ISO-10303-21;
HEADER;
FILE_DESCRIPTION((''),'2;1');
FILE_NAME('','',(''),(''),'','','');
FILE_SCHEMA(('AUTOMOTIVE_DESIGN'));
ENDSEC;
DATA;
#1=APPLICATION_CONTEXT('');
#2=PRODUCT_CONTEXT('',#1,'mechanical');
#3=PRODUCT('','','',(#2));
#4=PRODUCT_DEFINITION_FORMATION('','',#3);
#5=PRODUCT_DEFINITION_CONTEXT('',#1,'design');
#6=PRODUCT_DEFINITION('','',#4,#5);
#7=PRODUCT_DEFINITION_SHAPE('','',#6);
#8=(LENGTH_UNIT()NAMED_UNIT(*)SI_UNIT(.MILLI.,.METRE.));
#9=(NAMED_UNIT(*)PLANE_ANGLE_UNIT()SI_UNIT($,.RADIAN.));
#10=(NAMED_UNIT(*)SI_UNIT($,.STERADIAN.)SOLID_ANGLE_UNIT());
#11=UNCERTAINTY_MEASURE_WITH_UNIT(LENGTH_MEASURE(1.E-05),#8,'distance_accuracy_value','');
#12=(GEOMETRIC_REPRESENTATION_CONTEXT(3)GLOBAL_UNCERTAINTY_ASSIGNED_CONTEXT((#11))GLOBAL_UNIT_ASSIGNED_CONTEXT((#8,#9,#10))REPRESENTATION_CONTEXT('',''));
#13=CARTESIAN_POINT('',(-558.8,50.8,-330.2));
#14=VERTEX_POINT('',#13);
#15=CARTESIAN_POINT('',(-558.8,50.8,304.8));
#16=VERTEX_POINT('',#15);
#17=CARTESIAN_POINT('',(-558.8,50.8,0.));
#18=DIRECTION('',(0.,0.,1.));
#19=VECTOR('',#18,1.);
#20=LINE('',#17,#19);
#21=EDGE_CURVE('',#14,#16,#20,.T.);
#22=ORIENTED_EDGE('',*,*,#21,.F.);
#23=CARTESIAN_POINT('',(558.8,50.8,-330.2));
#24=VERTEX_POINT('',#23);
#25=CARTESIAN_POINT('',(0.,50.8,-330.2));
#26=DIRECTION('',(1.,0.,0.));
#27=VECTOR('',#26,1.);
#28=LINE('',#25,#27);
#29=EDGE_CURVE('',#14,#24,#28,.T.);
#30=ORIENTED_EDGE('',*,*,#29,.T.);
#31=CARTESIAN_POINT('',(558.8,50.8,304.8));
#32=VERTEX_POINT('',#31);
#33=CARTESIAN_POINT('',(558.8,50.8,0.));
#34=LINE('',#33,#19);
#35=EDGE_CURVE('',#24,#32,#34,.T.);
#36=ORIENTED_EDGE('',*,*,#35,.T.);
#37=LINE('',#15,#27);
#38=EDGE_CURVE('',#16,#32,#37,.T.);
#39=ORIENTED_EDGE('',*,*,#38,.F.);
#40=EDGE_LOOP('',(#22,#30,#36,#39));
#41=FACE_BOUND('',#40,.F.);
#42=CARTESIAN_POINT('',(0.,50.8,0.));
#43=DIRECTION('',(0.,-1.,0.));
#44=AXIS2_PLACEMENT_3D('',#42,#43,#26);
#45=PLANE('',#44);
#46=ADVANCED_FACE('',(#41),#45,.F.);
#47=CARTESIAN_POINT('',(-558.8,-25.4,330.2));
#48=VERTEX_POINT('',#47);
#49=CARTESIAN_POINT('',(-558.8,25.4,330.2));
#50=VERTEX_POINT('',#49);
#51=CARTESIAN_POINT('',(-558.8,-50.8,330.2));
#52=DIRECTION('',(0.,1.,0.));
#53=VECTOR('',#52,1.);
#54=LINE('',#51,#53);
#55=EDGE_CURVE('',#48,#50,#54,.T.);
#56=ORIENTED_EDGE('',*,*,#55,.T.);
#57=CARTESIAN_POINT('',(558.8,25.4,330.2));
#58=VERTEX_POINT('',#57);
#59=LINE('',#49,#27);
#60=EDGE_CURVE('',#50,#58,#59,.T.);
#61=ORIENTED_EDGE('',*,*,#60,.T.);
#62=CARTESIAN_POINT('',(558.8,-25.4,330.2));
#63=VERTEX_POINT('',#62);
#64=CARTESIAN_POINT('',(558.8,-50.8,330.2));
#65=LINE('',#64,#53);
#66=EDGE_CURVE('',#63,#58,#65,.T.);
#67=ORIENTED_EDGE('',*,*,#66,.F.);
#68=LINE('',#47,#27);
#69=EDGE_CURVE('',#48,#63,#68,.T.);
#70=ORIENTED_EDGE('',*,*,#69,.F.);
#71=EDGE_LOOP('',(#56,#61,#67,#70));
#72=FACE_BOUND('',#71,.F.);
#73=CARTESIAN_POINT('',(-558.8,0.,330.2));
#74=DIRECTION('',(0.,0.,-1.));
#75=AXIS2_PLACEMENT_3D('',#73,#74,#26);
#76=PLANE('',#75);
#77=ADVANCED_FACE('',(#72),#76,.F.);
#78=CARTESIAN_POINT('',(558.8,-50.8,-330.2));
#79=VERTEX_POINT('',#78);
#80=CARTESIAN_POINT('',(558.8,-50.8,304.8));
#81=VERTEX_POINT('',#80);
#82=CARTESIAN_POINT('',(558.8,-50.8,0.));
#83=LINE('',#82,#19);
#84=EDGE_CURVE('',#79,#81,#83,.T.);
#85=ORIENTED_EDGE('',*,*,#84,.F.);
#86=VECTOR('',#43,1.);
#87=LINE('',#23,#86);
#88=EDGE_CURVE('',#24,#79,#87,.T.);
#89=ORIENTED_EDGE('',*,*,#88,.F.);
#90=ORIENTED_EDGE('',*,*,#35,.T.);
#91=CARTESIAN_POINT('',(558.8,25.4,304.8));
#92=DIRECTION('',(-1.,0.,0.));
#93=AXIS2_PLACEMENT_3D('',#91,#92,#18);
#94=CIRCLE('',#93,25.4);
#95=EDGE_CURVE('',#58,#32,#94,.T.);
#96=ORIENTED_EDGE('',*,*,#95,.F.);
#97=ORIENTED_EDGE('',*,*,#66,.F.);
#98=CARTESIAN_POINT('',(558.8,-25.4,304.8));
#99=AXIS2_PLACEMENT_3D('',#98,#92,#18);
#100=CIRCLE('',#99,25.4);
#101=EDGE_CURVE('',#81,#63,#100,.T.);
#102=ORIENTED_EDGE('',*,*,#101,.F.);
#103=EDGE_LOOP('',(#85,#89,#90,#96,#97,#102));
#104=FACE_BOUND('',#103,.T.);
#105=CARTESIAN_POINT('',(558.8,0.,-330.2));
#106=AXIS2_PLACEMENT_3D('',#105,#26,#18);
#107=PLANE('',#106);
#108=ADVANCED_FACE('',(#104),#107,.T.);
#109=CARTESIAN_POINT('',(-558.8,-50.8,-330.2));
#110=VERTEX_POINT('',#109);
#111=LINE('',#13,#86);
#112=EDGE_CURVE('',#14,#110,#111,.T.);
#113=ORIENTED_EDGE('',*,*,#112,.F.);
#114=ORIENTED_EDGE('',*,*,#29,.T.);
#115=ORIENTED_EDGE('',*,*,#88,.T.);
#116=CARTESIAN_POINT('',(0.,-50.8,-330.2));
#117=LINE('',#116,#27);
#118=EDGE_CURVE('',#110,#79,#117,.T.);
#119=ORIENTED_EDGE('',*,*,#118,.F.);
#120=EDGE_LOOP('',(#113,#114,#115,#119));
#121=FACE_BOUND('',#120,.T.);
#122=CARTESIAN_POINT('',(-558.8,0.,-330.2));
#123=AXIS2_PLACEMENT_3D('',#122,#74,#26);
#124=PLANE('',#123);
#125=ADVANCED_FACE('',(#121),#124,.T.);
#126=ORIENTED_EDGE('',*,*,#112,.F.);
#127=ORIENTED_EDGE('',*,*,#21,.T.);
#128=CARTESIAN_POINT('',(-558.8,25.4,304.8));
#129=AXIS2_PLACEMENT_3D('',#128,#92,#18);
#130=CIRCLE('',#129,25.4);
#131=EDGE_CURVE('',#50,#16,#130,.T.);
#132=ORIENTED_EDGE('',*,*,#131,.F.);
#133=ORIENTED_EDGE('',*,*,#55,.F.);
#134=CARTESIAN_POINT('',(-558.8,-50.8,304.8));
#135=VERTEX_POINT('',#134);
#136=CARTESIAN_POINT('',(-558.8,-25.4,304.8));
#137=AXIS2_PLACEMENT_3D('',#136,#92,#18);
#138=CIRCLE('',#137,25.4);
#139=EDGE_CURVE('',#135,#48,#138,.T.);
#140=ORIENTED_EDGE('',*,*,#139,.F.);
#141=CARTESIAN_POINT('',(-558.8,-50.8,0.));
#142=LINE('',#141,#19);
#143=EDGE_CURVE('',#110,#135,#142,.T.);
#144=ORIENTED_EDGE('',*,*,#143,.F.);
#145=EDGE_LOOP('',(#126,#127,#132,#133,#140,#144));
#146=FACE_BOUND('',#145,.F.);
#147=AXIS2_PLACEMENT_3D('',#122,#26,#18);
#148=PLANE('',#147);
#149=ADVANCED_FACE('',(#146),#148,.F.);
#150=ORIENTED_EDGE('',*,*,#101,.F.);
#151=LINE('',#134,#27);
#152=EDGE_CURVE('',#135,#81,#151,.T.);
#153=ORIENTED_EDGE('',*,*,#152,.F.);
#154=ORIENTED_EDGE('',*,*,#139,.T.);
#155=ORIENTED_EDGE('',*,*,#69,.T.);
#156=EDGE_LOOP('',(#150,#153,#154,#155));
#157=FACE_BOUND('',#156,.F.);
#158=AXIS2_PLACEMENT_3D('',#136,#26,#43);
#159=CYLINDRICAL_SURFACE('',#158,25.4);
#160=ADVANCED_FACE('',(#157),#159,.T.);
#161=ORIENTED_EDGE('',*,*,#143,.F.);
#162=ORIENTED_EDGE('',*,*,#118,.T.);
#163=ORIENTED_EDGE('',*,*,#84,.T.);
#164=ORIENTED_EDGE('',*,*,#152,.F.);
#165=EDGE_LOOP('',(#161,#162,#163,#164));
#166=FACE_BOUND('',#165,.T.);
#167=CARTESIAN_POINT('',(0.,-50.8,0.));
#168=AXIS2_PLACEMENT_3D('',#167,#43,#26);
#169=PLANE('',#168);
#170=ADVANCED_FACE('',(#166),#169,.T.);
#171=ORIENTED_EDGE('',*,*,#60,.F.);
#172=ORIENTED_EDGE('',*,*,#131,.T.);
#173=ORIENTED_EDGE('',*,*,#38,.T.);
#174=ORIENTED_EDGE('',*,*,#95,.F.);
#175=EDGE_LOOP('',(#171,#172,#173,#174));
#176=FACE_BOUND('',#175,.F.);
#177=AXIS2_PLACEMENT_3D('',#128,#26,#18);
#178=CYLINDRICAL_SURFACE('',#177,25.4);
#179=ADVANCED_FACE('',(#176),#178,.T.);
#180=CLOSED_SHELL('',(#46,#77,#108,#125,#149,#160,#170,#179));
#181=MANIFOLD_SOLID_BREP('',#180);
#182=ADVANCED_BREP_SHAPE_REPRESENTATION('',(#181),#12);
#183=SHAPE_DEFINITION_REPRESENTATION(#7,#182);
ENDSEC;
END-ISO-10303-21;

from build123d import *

# Parameters (mm, degrees)
F0_W     = 1117.6
F0_H     = 660.4
F1_DEPTH = 50.8
F2_R     = 25.4


with BuildPart() as f1:
    # F0 (on Front) → F1 (new body, symmetric)
    with BuildSketch(Plane.XZ):
        Rectangle(F0_W, F0_H)
    extrude(amount=F1_DEPTH, both=True)

    # F2
    f2_edges = [f1.edges().sort_by_distance(p)[0] for p in [
        (0, -50.8, 330.2),
        (0, 50.8, 330.2),
    ]]
    fillet(f2_edges, radius=F2_R)


solid = f1.part
